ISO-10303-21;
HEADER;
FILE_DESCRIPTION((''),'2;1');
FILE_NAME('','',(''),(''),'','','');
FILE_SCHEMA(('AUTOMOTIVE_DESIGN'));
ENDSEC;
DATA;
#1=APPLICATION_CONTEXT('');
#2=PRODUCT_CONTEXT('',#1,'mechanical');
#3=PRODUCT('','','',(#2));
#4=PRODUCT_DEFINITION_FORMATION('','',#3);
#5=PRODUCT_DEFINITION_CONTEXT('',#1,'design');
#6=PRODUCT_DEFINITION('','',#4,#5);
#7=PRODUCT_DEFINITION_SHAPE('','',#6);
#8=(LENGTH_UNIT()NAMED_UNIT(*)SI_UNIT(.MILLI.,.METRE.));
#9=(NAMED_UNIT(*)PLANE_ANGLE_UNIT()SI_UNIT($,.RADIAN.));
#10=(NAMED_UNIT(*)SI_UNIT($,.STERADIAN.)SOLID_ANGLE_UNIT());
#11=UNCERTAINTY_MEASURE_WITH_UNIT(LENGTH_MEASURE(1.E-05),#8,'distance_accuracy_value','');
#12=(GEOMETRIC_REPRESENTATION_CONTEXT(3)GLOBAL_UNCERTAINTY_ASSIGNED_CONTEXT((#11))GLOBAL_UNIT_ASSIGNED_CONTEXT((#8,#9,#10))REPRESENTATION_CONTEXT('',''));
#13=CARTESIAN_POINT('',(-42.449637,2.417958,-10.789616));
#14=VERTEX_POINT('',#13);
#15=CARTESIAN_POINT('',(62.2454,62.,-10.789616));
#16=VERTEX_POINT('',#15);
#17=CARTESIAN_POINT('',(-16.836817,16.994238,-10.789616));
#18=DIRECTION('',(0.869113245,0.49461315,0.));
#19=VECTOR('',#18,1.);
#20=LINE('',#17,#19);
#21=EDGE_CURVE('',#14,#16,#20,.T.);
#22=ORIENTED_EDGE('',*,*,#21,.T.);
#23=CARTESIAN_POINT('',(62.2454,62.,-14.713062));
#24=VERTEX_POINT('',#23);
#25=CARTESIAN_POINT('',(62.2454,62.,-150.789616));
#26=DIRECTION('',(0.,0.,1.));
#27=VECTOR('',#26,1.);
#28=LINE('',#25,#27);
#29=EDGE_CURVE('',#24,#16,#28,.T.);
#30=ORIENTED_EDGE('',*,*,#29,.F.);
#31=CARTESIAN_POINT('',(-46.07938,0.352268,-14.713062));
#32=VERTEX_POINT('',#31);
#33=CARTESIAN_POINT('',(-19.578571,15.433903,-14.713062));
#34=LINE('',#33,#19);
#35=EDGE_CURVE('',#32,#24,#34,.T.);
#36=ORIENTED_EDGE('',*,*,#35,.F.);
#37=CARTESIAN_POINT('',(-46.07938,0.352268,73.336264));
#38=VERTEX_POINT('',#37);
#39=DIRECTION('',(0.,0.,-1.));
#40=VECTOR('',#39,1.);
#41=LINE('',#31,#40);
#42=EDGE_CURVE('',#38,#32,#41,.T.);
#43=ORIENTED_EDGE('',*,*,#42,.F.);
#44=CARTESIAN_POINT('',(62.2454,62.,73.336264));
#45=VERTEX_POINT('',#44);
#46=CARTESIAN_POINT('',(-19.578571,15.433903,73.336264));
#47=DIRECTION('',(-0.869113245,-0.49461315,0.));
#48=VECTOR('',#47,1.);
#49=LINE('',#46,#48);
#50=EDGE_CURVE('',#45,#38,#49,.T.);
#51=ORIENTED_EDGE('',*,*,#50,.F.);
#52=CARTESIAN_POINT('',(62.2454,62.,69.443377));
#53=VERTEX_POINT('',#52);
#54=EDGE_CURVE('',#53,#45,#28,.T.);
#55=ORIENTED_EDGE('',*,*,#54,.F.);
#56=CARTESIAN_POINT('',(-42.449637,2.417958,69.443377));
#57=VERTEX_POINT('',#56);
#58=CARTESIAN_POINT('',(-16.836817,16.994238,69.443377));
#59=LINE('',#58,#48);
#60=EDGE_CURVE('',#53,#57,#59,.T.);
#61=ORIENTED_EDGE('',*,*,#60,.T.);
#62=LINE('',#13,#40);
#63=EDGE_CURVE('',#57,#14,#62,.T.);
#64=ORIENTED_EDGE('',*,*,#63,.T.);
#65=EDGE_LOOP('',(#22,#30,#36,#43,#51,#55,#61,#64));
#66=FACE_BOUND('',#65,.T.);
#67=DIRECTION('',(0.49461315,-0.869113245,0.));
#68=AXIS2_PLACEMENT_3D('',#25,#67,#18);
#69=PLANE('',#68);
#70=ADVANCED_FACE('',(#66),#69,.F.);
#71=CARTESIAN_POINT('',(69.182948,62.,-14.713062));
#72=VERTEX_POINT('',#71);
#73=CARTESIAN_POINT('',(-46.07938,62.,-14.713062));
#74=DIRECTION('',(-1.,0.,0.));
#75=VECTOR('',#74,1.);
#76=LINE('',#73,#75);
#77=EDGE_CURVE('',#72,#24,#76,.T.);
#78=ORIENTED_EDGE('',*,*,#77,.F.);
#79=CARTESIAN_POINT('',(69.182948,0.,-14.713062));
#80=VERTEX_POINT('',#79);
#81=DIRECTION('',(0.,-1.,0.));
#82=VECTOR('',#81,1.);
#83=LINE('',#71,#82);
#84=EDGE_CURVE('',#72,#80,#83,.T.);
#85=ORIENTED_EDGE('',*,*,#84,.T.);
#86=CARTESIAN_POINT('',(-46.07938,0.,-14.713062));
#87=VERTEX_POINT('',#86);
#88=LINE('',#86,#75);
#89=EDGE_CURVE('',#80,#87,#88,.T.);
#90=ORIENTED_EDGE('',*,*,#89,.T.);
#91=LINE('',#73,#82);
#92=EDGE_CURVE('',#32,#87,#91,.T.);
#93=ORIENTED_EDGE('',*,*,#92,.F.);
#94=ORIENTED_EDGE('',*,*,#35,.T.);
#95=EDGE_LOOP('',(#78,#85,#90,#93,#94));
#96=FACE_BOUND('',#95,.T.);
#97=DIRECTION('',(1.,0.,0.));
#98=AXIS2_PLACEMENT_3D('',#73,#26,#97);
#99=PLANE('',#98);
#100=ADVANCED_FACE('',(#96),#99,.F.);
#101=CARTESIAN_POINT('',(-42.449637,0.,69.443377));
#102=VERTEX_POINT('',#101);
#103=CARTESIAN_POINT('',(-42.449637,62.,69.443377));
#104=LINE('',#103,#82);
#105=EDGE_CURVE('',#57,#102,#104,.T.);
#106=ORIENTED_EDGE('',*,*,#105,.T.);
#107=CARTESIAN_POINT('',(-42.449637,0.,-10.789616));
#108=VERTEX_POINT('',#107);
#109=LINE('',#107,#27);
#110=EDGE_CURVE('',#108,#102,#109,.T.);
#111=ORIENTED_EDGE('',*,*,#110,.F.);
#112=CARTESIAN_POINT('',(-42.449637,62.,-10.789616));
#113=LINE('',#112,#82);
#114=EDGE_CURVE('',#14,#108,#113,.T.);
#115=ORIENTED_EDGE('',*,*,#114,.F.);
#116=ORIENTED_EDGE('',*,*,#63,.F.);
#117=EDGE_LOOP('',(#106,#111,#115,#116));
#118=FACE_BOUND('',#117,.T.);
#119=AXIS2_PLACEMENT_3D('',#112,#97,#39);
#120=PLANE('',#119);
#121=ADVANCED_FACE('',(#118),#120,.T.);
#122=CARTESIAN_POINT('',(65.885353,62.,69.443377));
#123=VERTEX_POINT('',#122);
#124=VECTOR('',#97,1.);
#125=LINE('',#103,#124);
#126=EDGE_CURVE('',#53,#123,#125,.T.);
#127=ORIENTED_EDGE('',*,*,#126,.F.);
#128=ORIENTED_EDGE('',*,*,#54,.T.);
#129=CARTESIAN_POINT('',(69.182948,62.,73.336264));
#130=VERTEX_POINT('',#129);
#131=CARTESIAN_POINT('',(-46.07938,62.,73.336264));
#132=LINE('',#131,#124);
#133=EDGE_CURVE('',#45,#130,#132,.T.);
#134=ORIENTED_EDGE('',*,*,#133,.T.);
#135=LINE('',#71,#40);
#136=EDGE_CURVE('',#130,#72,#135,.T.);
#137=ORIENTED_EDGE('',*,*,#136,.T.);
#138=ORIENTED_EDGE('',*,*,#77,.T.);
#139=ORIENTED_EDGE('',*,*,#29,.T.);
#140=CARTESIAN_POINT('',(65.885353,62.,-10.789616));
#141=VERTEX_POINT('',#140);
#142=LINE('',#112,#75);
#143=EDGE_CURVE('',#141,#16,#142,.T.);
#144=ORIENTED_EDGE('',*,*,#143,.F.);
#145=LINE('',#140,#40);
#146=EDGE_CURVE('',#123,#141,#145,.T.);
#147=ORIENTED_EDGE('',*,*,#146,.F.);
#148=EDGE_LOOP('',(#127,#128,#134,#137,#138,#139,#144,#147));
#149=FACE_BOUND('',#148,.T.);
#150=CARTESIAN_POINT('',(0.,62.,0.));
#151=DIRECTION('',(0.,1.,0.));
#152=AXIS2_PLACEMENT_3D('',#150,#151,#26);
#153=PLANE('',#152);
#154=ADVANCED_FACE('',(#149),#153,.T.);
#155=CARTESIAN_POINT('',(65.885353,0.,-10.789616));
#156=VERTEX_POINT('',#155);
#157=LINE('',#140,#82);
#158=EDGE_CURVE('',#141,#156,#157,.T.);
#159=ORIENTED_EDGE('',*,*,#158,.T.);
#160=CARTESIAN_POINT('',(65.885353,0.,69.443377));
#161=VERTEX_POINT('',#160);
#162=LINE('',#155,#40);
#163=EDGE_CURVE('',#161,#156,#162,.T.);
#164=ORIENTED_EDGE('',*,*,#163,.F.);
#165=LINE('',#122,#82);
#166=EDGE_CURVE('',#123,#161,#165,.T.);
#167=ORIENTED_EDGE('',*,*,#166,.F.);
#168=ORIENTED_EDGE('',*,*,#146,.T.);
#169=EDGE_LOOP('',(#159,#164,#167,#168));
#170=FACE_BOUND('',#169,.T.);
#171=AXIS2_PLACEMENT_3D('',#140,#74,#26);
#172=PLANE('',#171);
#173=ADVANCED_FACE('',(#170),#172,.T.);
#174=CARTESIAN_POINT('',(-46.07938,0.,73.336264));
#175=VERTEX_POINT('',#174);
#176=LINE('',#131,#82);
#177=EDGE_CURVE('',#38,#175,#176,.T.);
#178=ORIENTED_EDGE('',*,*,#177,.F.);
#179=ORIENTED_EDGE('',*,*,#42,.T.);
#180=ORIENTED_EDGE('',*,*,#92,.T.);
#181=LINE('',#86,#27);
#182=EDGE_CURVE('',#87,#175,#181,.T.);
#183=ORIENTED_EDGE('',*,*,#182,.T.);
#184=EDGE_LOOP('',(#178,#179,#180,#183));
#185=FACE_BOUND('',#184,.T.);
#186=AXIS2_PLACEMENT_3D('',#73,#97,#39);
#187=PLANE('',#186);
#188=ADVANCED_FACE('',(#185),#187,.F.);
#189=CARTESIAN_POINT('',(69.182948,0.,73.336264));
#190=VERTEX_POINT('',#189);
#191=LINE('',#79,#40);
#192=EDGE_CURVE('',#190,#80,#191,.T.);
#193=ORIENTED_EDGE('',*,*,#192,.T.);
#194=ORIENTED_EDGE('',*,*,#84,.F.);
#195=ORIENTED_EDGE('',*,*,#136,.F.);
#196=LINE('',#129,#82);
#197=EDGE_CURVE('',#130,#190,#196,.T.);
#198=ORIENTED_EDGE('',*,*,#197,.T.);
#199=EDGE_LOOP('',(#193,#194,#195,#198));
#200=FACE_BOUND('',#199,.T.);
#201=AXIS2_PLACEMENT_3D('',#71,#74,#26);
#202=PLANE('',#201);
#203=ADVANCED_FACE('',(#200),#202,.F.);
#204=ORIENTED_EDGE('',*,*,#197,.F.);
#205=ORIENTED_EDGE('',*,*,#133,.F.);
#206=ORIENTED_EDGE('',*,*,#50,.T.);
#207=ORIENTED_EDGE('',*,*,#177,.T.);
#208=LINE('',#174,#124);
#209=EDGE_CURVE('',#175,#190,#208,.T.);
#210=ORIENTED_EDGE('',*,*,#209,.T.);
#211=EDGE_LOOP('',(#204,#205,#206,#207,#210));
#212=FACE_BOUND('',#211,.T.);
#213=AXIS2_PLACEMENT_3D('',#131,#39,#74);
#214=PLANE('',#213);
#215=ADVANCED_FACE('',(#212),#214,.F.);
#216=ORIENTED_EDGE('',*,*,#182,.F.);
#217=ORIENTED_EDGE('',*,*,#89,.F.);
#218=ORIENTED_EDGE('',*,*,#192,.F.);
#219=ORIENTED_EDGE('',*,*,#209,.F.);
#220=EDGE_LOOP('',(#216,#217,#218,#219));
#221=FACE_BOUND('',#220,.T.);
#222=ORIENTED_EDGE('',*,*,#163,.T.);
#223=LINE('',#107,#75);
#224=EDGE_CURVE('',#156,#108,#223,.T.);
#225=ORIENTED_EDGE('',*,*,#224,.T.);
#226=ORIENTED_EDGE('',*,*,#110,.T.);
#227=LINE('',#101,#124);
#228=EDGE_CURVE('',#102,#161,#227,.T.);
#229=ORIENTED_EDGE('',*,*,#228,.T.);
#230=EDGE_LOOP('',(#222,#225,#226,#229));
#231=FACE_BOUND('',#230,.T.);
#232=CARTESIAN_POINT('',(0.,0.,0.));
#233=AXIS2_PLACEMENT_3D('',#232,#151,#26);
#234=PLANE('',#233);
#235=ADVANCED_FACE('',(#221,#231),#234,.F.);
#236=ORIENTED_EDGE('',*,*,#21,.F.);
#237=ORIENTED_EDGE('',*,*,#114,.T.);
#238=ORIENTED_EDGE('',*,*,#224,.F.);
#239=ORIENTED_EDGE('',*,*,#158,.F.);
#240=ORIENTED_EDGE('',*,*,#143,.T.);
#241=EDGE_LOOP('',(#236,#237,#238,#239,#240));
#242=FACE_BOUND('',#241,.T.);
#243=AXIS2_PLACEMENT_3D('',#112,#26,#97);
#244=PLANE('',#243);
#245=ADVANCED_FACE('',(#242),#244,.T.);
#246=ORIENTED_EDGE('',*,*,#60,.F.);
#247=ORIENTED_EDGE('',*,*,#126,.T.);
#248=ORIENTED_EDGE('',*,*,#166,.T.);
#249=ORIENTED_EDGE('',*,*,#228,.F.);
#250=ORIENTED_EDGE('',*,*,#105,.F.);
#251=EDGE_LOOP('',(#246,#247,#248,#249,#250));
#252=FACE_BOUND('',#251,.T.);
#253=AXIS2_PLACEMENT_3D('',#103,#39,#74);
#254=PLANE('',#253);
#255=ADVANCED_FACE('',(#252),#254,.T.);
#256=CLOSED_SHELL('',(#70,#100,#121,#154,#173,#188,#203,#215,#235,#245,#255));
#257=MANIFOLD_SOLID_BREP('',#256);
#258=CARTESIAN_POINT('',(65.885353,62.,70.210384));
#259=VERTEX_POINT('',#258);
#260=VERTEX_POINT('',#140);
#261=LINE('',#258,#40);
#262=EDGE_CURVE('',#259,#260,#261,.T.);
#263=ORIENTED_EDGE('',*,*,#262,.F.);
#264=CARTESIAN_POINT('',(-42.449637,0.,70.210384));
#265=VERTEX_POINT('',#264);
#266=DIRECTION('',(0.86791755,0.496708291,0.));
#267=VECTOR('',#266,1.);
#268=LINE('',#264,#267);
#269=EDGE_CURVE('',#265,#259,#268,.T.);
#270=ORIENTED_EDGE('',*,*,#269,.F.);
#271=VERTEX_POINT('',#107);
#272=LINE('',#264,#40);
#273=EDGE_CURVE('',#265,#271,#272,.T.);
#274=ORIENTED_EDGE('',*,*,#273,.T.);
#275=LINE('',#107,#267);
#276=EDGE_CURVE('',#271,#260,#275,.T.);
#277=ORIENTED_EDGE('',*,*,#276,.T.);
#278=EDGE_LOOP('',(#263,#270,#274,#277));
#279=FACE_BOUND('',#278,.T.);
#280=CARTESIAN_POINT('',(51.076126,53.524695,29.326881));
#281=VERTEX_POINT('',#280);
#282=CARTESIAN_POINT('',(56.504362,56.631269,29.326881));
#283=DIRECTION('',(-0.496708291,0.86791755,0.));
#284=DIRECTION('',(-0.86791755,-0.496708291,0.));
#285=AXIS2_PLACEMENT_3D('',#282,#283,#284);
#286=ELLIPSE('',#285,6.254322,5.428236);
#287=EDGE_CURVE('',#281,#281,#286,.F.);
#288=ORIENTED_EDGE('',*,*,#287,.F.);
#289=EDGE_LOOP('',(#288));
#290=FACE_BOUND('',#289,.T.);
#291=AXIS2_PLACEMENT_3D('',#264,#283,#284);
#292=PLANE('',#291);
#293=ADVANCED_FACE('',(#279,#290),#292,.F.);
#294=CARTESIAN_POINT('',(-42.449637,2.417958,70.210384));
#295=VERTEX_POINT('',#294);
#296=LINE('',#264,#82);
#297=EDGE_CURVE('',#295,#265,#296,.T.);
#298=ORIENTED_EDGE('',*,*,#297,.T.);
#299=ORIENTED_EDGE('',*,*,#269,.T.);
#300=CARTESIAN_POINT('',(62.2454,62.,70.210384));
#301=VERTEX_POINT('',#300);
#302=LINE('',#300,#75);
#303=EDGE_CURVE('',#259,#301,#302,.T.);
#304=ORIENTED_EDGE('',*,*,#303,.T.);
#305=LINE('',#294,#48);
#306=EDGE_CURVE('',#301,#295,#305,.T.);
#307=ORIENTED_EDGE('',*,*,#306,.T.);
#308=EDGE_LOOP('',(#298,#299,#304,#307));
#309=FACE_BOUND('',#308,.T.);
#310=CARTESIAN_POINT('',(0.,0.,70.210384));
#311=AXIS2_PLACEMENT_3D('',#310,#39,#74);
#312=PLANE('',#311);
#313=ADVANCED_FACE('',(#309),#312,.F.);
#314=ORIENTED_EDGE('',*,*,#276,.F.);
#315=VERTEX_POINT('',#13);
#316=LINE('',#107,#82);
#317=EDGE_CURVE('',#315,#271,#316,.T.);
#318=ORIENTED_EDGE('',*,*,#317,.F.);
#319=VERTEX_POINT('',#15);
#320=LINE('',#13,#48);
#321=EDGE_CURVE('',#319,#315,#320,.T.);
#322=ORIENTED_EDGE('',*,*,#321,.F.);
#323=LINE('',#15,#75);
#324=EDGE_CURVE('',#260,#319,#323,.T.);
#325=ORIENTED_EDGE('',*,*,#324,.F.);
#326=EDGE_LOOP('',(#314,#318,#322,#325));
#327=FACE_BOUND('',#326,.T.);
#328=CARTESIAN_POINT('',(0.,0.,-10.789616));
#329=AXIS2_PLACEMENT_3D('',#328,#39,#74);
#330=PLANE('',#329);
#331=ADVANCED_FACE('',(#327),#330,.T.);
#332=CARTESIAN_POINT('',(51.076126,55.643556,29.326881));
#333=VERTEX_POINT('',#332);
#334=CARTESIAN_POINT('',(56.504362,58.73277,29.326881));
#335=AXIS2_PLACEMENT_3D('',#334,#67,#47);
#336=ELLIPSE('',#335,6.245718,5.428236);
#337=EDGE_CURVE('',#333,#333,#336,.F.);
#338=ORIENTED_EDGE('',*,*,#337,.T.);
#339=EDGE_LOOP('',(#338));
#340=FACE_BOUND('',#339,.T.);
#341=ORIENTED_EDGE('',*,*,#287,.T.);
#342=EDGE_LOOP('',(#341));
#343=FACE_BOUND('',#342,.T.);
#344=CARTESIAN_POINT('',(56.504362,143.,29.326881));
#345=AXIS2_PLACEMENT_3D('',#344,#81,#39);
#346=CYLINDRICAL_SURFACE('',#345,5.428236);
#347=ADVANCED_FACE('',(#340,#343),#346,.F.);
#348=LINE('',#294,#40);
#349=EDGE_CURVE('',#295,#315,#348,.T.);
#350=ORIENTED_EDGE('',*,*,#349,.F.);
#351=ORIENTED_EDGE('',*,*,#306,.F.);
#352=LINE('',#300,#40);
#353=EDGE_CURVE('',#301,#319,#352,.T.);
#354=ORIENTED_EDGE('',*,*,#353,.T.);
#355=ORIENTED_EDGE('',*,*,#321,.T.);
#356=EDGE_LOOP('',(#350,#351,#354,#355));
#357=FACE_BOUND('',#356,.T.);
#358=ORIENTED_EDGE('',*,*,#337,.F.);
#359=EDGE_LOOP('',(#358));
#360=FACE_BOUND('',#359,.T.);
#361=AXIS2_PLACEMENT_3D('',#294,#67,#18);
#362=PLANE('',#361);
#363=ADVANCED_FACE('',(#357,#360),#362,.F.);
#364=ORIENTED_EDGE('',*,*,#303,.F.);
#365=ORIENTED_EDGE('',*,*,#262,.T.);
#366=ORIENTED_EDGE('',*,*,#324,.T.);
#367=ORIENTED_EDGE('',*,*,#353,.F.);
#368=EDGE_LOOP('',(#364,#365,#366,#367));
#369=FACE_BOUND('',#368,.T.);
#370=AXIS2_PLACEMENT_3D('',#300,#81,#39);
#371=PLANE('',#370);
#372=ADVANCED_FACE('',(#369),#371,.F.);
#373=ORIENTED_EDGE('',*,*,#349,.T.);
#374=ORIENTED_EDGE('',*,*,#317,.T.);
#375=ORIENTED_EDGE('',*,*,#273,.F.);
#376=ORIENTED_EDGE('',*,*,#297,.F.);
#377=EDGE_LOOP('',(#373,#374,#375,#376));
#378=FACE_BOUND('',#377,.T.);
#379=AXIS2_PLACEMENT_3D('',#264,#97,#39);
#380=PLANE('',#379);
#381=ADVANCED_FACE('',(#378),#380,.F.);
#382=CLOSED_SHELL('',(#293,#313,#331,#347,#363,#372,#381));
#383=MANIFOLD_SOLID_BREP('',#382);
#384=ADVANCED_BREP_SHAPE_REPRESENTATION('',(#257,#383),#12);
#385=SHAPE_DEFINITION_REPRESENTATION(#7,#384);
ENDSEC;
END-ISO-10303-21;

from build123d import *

# Parameters (mm, degrees)
SKETCH1_W               = 115.26232874
SKETCH1_H               = 88.049326178
SKETCH1_W_2             = 108.334990875
SKETCH1_H_2             = 80.232993298
BOSS_EXTRUDE1_DEPTH     = 62
BOSS_EXTRUDE5_DEPTH     = 81
CUT_EXTRUDE1_DEPTH      = 140
CUT_EXTRUDE1_DEPTH_BACK = 140
SKETCH4_R               = 5.428235827
CUT_EXTRUDE2_DEPTH      = 143


with BuildPart() as part:
    # Sketch1 → Boss-Extrude1 (new body)
    with BuildSketch(Plane(origin=(0, 0, 0), x_dir=(1, 0, 0), z_dir=(0, 1, 0))):
        with Locations((11.551784024, -29.311600955)):
            Rectangle(SKETCH1_W, SKETCH1_H)
        with Locations((11.717857977, -29.326880603)):
            Rectangle(SKETCH1_W_2, SKETCH1_H_2, mode=Mode.SUBTRACT)
    extrude(amount=BOSS_EXTRUDE1_DEPTH)

    # Sketch3 → Cut-Extrude1 (cut, two sides: drawn at the far end of the back side and taken through both)
    with BuildSketch(Plane.XY.offset(-10.789616046).offset(-CUT_EXTRUDE1_DEPTH_BACK)):
        Polygon((62.245399556, 62), (-47.988966562, -0.734479554), (-64.593447551, 83.162099854), (74.178741731, 71.645214526), align=None)
    extrude(amount=CUT_EXTRUDE1_DEPTH + CUT_EXTRUDE1_DEPTH_BACK, mode=Mode.SUBTRACT)


with BuildPart() as body_2:
    # Sketch2 → Boss-Extrude5 (new body)
    with BuildSketch(Plane.XY.offset(-10.789616046)):
        Polygon((-42.44963746, 0), (65.885353415, 62), (62.245399556, 62), (-42.44963746, 2.417957753), align=None)
    extrude(amount=BOSS_EXTRUDE5_DEPTH)

    # Sketch4 → Cut-Extrude2 (cut)
    with BuildSketch(Plane(origin=(0, 0, 0), x_dir=(1, 0, 0), z_dir=(0, 1, 0))):
        with Locations(Location((56.50436197, -29.326880603, 0), (0, 0, 180))):
            Circle(SKETCH4_R)
    extrude(amount=CUT_EXTRUDE2_DEPTH, mode=Mode.SUBTRACT)


solid = Compound([part.part, body_2.part])
